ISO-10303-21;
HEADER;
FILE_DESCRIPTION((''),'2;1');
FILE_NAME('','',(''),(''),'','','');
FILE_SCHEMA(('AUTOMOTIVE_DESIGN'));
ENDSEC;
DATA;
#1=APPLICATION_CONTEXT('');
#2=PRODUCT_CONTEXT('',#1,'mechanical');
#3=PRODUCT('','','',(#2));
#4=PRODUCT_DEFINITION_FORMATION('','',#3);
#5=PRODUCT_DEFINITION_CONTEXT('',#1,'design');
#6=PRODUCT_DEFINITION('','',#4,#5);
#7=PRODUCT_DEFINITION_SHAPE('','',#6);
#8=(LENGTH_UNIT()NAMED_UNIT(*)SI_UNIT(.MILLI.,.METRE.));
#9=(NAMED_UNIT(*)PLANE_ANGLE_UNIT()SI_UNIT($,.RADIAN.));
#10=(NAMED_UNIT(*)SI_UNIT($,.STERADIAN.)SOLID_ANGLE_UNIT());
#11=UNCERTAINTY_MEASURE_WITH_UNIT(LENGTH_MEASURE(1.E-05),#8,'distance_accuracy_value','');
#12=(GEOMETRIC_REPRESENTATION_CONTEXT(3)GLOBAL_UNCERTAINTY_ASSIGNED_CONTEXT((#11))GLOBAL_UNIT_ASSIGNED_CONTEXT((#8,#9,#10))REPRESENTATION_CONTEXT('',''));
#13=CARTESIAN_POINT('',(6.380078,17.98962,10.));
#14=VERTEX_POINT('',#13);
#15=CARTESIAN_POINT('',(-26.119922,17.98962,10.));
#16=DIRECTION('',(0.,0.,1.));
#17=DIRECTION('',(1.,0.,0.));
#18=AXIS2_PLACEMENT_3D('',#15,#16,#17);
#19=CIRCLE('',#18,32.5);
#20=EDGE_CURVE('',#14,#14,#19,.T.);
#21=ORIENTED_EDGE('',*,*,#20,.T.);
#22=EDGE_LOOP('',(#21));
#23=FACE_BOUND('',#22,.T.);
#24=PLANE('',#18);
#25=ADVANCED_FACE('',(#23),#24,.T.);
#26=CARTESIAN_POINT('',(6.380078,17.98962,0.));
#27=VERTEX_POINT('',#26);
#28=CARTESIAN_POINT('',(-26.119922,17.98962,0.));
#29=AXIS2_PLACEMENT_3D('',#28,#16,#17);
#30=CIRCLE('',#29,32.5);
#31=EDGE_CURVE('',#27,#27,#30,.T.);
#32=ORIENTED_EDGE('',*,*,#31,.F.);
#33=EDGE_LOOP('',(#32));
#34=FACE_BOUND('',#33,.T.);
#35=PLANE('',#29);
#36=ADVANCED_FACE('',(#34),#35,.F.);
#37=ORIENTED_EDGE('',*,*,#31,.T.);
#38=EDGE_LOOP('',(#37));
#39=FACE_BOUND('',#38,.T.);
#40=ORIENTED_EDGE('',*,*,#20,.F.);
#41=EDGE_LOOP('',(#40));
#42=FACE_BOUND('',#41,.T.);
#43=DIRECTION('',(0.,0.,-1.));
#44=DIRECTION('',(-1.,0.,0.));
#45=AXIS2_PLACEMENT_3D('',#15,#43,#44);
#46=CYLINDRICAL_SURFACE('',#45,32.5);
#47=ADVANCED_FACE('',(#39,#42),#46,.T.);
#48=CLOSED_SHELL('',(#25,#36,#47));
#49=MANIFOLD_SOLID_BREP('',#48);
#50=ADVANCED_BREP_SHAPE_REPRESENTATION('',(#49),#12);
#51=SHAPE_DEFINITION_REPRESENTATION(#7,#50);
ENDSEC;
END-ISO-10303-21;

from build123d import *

# Parameters (mm, degrees)
SKETCH_1_R      = 32.5
EXTRUDE_1_DEPTH = 10


with BuildPart() as part:
    # ｽｹｯﾁ1 → ﾎﾞｽ - 押し出し1 (new body)
    with BuildSketch(Plane.XY):
        with Locations((-26.119921857, 17.989620209)):
            Circle(SKETCH_1_R)
    extrude(amount=EXTRUDE_1_DEPTH)


solid = part.part
